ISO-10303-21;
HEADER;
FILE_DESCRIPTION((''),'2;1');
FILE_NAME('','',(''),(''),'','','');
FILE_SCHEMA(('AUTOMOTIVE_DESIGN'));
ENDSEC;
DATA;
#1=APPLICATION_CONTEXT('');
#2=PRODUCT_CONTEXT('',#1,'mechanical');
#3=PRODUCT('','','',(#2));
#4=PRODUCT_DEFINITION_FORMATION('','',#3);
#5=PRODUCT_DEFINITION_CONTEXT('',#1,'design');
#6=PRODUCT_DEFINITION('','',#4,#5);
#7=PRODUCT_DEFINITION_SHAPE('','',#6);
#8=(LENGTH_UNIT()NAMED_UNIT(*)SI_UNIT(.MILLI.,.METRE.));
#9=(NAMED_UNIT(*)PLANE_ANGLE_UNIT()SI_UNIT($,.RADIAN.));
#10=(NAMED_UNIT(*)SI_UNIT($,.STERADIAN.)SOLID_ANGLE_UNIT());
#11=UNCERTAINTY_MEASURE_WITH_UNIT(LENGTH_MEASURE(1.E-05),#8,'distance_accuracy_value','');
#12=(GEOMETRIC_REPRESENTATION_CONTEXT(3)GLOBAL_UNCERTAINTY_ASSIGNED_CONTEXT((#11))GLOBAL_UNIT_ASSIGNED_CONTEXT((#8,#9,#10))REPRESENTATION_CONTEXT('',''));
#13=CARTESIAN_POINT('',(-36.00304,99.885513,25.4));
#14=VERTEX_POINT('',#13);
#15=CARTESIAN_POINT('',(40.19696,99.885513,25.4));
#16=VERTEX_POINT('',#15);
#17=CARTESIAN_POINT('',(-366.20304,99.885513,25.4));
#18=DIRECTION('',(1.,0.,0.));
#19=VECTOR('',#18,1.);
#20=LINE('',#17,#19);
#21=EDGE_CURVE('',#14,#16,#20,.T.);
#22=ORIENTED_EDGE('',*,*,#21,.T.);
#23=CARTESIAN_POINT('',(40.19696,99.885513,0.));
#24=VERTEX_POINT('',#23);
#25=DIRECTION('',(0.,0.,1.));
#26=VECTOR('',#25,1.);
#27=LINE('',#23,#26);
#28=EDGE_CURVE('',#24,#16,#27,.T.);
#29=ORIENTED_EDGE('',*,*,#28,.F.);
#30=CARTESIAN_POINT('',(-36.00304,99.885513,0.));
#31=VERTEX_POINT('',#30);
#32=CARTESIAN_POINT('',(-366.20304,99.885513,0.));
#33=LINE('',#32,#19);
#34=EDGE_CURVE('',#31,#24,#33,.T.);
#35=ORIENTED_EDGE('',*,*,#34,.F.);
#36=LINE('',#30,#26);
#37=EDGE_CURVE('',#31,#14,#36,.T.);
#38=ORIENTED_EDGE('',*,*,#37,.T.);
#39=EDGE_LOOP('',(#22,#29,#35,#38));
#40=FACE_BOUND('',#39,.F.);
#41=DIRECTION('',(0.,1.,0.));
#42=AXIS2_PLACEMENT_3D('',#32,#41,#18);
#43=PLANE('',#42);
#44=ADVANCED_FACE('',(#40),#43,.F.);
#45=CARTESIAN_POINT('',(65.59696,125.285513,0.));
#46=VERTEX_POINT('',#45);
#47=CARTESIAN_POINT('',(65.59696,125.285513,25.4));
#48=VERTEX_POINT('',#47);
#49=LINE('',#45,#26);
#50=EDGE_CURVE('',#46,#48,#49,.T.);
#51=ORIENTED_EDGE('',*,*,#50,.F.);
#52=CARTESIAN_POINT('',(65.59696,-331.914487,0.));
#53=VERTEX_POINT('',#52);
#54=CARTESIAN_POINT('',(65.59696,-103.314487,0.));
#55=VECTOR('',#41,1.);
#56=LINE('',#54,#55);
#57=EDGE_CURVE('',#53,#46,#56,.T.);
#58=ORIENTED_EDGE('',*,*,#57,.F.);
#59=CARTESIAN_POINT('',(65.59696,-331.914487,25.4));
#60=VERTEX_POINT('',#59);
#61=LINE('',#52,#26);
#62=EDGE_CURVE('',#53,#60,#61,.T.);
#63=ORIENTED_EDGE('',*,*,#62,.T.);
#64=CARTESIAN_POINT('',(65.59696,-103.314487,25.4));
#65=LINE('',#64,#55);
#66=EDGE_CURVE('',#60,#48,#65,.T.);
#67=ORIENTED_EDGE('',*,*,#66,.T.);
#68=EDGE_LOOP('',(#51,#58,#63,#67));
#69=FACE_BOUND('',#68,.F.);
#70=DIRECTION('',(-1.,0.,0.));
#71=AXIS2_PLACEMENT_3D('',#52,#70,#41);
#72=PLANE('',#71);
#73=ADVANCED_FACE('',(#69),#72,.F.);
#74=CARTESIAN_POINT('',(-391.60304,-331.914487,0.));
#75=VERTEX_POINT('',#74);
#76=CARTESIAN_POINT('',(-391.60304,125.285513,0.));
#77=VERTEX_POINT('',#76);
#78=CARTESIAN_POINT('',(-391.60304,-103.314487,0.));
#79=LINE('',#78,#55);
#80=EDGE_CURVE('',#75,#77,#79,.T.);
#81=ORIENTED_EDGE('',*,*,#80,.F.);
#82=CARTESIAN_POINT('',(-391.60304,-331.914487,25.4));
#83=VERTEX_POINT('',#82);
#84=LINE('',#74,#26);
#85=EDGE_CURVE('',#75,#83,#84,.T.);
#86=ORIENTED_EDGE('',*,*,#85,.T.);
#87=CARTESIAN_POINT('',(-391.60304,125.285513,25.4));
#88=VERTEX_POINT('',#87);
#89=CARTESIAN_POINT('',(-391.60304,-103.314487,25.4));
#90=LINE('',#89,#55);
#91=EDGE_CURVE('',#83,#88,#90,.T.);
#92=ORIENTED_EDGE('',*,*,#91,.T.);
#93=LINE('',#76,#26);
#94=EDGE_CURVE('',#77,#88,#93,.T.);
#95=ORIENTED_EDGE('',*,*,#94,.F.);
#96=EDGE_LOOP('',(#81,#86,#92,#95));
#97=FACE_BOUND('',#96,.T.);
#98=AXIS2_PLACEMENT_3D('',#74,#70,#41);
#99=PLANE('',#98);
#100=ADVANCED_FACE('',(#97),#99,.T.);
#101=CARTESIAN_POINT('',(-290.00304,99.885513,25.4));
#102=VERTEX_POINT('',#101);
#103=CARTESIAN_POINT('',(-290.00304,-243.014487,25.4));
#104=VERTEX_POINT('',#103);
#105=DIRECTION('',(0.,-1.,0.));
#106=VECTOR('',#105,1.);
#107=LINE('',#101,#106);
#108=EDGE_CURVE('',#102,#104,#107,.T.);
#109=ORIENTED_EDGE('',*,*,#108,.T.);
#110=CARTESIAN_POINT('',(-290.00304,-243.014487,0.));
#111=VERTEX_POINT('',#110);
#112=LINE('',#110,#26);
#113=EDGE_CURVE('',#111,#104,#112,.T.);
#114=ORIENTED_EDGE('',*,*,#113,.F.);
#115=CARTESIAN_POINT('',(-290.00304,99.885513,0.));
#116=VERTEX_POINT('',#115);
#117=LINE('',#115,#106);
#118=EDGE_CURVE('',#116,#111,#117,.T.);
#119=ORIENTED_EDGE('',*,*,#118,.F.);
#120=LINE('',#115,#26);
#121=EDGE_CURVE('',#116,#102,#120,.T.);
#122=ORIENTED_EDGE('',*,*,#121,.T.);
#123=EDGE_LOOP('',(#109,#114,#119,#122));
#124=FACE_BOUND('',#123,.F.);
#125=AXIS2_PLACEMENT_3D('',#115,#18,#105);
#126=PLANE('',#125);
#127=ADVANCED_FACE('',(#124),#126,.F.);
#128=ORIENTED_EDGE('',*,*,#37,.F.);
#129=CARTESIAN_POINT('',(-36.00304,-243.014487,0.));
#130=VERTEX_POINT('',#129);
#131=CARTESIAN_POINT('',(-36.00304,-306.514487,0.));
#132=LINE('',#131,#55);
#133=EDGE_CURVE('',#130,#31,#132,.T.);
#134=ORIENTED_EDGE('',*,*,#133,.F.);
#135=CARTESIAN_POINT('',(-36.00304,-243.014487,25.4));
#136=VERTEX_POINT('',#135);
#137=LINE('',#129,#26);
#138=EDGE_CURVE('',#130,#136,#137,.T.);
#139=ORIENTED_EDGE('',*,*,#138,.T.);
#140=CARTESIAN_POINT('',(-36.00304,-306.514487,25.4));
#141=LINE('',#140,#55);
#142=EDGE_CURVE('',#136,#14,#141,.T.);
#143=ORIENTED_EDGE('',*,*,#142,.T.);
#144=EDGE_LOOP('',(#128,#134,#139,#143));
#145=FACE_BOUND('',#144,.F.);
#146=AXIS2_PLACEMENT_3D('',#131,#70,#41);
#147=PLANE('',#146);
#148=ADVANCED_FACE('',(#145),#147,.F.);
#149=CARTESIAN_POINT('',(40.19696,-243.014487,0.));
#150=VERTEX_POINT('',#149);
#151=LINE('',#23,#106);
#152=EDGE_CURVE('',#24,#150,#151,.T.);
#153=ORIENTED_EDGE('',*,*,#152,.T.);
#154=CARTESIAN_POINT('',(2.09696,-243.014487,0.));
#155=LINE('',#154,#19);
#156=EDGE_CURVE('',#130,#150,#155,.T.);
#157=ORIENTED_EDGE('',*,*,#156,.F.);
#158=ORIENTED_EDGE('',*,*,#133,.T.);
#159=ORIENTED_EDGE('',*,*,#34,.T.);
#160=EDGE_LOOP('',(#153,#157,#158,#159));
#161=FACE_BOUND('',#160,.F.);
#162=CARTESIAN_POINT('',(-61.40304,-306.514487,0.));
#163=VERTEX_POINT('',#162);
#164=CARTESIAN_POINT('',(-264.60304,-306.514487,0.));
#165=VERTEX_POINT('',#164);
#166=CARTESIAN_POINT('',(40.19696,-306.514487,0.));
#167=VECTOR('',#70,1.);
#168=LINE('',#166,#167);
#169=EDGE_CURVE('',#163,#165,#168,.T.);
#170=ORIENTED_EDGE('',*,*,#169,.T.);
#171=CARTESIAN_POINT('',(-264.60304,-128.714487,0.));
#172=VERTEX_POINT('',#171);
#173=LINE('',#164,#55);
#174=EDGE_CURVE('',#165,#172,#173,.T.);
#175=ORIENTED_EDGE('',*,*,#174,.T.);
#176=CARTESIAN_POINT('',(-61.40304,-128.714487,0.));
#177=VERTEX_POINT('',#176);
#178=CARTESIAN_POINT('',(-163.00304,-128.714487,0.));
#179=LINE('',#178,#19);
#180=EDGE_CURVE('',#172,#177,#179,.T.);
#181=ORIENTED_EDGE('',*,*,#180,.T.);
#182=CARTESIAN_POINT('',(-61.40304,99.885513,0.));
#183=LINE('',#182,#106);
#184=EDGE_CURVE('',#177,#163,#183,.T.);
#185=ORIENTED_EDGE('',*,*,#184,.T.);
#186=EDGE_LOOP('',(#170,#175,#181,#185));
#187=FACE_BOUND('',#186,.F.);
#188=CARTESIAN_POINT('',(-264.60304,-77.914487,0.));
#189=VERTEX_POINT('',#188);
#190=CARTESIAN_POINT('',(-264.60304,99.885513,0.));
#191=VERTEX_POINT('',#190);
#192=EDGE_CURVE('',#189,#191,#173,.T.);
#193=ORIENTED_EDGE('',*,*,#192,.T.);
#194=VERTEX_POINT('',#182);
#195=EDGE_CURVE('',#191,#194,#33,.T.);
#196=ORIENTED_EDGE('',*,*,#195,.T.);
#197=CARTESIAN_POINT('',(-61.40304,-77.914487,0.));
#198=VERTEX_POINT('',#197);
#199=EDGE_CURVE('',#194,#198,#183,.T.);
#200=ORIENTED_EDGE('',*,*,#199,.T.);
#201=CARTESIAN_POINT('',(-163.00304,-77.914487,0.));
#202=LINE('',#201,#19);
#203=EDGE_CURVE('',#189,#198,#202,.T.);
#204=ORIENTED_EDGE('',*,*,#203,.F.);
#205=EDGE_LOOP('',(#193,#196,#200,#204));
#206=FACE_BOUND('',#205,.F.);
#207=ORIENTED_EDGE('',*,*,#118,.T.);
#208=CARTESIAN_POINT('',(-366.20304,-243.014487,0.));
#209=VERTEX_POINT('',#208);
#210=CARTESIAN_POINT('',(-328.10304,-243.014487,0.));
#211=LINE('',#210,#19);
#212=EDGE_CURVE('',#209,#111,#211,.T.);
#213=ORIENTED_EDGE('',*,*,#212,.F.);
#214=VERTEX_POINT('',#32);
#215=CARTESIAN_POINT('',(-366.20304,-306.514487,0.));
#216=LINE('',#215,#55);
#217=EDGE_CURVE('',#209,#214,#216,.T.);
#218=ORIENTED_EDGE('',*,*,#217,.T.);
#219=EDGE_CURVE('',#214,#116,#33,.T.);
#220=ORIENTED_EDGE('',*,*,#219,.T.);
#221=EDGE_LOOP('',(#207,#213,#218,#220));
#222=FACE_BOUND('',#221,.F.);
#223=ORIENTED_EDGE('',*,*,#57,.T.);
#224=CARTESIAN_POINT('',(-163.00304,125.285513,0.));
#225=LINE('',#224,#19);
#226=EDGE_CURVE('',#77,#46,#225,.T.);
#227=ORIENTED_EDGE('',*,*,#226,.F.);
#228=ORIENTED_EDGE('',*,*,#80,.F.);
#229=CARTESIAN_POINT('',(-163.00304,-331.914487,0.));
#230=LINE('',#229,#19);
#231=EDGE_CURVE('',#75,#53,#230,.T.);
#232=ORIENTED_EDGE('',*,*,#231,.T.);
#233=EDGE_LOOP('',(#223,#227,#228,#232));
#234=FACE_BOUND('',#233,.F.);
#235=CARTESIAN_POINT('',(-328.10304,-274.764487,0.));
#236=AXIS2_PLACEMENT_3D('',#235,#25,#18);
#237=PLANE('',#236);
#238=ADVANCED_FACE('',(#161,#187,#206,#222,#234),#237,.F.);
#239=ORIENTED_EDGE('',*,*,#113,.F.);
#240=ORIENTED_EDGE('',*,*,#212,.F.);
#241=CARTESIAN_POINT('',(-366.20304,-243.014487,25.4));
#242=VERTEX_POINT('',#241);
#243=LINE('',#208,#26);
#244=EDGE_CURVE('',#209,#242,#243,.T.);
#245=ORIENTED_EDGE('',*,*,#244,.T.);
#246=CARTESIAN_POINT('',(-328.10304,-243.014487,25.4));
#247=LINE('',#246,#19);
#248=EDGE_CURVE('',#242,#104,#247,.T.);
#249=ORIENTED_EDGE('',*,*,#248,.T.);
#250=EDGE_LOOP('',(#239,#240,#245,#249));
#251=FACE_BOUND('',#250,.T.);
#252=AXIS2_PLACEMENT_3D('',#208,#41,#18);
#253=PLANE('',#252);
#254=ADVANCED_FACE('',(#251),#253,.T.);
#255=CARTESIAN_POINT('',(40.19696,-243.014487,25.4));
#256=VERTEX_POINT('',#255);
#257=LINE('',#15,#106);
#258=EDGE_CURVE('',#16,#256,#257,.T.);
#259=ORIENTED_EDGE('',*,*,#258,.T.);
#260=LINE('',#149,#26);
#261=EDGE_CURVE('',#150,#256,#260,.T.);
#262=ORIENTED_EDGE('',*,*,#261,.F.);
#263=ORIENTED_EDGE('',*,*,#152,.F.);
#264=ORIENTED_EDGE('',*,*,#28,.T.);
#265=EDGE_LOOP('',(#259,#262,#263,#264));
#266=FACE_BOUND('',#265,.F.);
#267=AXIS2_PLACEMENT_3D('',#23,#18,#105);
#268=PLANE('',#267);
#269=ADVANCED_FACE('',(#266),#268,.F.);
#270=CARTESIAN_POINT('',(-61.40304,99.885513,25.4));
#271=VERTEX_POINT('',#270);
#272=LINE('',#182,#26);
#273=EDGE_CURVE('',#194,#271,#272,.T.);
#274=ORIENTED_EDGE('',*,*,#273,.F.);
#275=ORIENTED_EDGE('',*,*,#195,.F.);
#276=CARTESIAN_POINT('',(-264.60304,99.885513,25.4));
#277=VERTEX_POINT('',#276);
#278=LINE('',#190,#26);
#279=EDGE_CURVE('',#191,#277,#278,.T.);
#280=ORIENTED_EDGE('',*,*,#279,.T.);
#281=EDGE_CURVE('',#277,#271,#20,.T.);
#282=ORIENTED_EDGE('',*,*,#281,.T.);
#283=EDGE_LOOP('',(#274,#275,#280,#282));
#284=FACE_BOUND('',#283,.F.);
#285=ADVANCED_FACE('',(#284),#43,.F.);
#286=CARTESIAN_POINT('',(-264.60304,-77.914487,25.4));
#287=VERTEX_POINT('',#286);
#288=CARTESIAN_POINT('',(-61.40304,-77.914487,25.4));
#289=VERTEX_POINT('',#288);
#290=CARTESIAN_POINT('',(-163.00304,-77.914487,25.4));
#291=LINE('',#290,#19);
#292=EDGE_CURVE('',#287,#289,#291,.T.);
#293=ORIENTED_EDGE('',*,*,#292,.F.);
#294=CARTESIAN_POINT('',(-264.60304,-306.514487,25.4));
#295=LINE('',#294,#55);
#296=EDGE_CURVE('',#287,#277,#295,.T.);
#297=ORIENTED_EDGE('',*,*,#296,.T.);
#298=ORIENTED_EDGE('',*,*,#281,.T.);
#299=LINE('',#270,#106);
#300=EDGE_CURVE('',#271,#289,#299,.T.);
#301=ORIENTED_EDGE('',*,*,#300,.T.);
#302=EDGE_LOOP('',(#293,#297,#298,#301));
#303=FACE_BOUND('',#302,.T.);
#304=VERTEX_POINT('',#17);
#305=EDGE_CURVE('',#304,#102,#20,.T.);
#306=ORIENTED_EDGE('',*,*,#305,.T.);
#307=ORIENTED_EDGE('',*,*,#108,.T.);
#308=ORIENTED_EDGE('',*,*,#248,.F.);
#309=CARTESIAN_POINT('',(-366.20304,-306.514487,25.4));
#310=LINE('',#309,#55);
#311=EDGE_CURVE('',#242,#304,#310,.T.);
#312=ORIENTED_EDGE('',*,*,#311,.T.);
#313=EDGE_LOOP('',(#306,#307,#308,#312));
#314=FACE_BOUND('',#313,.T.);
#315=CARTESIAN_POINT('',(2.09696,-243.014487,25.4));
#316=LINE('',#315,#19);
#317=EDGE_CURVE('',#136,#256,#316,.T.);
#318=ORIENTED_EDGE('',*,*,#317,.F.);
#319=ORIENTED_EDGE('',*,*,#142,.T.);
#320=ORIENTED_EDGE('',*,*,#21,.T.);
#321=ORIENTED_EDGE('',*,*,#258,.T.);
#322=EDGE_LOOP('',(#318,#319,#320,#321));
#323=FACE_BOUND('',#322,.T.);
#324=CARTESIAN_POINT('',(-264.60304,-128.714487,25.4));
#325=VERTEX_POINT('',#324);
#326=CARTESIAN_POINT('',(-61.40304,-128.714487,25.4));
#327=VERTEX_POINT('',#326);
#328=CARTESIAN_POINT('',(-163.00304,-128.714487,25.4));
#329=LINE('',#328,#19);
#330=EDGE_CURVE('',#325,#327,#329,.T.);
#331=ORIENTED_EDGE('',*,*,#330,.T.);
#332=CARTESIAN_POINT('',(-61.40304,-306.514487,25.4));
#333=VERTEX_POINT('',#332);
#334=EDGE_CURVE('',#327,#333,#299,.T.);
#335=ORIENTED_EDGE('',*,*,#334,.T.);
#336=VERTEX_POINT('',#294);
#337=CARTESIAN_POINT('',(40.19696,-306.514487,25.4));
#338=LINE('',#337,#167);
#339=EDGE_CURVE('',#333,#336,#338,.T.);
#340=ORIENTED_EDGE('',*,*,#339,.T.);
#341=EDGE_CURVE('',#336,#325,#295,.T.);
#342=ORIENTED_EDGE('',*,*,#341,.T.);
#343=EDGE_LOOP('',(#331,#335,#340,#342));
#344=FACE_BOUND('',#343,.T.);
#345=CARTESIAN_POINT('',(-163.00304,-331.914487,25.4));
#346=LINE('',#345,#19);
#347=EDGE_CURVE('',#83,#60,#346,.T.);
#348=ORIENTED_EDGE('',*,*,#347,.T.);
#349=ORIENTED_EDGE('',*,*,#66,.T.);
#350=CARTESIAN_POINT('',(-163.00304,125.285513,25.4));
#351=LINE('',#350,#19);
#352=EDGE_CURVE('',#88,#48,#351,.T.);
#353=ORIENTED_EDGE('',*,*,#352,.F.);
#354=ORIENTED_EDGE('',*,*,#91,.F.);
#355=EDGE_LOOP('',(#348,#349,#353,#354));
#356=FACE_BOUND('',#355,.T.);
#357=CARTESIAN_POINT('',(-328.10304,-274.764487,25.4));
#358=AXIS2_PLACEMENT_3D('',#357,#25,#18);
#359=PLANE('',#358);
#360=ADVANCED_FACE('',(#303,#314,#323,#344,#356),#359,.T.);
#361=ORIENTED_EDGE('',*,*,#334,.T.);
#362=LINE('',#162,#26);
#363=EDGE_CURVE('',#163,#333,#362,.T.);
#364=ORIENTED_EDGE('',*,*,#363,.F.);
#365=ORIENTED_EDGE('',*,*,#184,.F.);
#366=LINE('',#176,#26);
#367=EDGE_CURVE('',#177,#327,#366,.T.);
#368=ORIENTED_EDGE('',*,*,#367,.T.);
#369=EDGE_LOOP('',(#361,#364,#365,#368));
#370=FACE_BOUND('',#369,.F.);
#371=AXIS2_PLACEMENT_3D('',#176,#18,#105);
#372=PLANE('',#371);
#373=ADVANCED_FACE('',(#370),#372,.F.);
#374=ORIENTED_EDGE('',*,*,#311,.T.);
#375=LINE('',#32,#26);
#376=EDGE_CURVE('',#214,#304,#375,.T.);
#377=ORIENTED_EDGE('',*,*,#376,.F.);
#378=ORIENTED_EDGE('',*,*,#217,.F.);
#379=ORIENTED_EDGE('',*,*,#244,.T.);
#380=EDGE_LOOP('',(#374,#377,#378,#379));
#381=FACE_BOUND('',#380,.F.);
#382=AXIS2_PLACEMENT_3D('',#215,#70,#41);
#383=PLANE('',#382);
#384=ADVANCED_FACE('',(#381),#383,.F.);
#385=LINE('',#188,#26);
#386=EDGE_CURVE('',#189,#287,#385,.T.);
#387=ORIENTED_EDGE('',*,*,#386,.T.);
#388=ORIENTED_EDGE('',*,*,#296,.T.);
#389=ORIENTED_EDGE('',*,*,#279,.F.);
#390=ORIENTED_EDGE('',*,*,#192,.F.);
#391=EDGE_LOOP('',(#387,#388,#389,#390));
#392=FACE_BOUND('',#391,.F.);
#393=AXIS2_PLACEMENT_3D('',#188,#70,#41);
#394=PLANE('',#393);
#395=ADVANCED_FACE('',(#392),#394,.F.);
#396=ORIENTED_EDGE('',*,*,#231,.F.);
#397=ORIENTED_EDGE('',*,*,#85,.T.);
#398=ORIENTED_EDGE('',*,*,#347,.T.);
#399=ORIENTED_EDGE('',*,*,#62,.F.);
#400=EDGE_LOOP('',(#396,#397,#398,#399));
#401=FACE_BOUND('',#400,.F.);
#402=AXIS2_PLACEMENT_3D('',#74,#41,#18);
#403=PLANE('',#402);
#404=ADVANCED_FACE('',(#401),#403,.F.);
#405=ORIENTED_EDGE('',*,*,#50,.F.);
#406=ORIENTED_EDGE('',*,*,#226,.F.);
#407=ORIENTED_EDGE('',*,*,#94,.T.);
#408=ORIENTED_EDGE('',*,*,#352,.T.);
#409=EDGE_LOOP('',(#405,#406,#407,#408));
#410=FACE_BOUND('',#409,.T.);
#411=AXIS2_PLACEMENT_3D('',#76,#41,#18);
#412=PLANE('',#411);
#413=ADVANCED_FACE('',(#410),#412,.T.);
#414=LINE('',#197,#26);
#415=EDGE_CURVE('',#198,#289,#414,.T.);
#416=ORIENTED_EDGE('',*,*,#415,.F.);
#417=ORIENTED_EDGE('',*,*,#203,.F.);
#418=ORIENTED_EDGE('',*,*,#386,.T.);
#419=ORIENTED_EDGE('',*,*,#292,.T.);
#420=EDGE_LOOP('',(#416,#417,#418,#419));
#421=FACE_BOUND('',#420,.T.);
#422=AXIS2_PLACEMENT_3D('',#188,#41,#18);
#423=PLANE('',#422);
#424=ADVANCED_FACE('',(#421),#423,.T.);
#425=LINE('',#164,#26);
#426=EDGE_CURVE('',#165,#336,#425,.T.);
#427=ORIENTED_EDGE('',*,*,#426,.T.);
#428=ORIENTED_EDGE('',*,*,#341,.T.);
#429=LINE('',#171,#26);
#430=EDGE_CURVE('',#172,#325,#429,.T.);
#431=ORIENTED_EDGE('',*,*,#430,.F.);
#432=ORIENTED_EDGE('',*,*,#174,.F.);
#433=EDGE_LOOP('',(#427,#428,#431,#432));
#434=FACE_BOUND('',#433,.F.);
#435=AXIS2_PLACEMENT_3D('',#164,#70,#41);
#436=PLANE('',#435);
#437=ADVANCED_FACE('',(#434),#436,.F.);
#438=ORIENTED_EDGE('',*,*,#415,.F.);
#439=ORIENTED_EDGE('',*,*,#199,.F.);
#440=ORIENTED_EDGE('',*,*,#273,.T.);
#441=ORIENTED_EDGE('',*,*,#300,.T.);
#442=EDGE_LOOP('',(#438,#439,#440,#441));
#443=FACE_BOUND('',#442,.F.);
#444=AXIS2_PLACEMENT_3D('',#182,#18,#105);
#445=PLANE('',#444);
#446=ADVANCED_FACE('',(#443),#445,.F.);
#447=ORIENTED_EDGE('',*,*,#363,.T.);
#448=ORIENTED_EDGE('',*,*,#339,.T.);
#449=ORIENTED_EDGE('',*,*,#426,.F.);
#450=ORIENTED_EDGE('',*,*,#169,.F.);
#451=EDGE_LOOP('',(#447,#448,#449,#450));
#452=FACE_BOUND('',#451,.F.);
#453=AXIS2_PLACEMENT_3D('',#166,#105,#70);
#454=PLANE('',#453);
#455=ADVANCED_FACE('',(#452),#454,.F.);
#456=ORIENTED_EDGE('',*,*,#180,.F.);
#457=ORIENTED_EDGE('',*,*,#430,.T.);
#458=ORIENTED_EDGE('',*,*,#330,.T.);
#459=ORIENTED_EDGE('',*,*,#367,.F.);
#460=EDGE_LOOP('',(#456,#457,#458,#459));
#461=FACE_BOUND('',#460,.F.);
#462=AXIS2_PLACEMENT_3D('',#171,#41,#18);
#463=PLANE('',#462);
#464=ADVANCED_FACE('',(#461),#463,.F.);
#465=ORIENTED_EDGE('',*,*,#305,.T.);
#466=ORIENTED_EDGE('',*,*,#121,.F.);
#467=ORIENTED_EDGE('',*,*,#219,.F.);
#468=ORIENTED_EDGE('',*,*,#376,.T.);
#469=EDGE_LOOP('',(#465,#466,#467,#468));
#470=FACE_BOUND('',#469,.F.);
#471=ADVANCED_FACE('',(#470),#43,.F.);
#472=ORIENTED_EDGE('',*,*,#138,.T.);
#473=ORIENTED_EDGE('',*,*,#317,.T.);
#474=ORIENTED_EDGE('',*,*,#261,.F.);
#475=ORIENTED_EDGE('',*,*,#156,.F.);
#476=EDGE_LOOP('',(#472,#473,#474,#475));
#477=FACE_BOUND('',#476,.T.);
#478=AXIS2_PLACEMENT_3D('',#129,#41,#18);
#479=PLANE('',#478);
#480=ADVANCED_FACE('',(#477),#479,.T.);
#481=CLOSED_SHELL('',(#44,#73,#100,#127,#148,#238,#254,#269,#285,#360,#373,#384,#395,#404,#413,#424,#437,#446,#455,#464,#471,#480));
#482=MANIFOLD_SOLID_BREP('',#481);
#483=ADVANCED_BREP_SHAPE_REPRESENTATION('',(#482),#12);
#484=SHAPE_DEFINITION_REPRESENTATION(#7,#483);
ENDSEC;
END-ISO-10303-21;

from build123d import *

# Parameters (mm, degrees)
F0_W     = 457.2
F0_H     = 457.2
F1_DEPTH = 25.4
F0_W_2   = 203.2
F0_H_2   = 25.4
F2_DEPTH = 25.4
F0_W_3   = 76.2
F0_H_3   = 63.5
F3_DEPTH = 25.4


with BuildPart() as f1:
    # F0 (on Top) → F1 (new body)
    with BuildSketch(Plane.XY):
        with Locations((-163.00304, -103.314487)):
            Rectangle(F0_W, F0_H)
        Polygon((-290.00304, 99.885513), (-264.60304, 99.885513), (-61.40304, 99.885513), (-36.00304, 99.885513), (40.19696, 99.885513), (40.19696, -103.314487), (40.19696, -243.014487), (40.19696, -306.514487), (-36.00304, -306.514487), (-61.40304, -306.514487), (-264.60304, -306.514487), (-290.00304, -306.514487), (-366.20304, -306.514487), (-366.20304, -243.014487), (-366.20304, -103.314487), (-366.20304, 99.885513), align=None, mode=Mode.SUBTRACT)
    extrude(amount=F1_DEPTH)

    # F0 (on Top) → F2 (join)
    with BuildSketch(Plane.XY):
        Polygon((-264.60304, -77.914487), (-264.60304, 99.885513), (-290.00304, 99.885513), (-290.00304, -103.314487), (-290.00304, -243.014487), (-290.00304, -306.514487), (-264.60304, -306.514487), (-264.60304, -128.714487), (-264.60304, -103.314487), align=None)
        Polygon((-36.00304, 99.885513), (-61.40304, 99.885513), (-61.40304, -77.914487), (-61.40304, -103.314487), (-61.40304, -128.714487), (-61.40304, -306.514487), (-36.00304, -306.514487), (-36.00304, -243.014487), (-36.00304, -103.314487), align=None)
        with Locations((-163.00304, -116.014487)):
            Rectangle(F0_W_2, F0_H_2)
        with Locations((-163.00304, -90.614487)):
            Rectangle(F0_W_2, F0_H_2)
    extrude(amount=F2_DEPTH)

    # F0 (on Top) → F3 (join)
    with BuildSketch(Plane.XY):
        with Locations((-328.10304, -274.764487)):
            Rectangle(F0_W_3, F0_H_3)
        with Locations((2.09696, -274.764487)):
            Rectangle(F0_W_3, F0_H_3)
    extrude(amount=F3_DEPTH)


solid = f1.part
